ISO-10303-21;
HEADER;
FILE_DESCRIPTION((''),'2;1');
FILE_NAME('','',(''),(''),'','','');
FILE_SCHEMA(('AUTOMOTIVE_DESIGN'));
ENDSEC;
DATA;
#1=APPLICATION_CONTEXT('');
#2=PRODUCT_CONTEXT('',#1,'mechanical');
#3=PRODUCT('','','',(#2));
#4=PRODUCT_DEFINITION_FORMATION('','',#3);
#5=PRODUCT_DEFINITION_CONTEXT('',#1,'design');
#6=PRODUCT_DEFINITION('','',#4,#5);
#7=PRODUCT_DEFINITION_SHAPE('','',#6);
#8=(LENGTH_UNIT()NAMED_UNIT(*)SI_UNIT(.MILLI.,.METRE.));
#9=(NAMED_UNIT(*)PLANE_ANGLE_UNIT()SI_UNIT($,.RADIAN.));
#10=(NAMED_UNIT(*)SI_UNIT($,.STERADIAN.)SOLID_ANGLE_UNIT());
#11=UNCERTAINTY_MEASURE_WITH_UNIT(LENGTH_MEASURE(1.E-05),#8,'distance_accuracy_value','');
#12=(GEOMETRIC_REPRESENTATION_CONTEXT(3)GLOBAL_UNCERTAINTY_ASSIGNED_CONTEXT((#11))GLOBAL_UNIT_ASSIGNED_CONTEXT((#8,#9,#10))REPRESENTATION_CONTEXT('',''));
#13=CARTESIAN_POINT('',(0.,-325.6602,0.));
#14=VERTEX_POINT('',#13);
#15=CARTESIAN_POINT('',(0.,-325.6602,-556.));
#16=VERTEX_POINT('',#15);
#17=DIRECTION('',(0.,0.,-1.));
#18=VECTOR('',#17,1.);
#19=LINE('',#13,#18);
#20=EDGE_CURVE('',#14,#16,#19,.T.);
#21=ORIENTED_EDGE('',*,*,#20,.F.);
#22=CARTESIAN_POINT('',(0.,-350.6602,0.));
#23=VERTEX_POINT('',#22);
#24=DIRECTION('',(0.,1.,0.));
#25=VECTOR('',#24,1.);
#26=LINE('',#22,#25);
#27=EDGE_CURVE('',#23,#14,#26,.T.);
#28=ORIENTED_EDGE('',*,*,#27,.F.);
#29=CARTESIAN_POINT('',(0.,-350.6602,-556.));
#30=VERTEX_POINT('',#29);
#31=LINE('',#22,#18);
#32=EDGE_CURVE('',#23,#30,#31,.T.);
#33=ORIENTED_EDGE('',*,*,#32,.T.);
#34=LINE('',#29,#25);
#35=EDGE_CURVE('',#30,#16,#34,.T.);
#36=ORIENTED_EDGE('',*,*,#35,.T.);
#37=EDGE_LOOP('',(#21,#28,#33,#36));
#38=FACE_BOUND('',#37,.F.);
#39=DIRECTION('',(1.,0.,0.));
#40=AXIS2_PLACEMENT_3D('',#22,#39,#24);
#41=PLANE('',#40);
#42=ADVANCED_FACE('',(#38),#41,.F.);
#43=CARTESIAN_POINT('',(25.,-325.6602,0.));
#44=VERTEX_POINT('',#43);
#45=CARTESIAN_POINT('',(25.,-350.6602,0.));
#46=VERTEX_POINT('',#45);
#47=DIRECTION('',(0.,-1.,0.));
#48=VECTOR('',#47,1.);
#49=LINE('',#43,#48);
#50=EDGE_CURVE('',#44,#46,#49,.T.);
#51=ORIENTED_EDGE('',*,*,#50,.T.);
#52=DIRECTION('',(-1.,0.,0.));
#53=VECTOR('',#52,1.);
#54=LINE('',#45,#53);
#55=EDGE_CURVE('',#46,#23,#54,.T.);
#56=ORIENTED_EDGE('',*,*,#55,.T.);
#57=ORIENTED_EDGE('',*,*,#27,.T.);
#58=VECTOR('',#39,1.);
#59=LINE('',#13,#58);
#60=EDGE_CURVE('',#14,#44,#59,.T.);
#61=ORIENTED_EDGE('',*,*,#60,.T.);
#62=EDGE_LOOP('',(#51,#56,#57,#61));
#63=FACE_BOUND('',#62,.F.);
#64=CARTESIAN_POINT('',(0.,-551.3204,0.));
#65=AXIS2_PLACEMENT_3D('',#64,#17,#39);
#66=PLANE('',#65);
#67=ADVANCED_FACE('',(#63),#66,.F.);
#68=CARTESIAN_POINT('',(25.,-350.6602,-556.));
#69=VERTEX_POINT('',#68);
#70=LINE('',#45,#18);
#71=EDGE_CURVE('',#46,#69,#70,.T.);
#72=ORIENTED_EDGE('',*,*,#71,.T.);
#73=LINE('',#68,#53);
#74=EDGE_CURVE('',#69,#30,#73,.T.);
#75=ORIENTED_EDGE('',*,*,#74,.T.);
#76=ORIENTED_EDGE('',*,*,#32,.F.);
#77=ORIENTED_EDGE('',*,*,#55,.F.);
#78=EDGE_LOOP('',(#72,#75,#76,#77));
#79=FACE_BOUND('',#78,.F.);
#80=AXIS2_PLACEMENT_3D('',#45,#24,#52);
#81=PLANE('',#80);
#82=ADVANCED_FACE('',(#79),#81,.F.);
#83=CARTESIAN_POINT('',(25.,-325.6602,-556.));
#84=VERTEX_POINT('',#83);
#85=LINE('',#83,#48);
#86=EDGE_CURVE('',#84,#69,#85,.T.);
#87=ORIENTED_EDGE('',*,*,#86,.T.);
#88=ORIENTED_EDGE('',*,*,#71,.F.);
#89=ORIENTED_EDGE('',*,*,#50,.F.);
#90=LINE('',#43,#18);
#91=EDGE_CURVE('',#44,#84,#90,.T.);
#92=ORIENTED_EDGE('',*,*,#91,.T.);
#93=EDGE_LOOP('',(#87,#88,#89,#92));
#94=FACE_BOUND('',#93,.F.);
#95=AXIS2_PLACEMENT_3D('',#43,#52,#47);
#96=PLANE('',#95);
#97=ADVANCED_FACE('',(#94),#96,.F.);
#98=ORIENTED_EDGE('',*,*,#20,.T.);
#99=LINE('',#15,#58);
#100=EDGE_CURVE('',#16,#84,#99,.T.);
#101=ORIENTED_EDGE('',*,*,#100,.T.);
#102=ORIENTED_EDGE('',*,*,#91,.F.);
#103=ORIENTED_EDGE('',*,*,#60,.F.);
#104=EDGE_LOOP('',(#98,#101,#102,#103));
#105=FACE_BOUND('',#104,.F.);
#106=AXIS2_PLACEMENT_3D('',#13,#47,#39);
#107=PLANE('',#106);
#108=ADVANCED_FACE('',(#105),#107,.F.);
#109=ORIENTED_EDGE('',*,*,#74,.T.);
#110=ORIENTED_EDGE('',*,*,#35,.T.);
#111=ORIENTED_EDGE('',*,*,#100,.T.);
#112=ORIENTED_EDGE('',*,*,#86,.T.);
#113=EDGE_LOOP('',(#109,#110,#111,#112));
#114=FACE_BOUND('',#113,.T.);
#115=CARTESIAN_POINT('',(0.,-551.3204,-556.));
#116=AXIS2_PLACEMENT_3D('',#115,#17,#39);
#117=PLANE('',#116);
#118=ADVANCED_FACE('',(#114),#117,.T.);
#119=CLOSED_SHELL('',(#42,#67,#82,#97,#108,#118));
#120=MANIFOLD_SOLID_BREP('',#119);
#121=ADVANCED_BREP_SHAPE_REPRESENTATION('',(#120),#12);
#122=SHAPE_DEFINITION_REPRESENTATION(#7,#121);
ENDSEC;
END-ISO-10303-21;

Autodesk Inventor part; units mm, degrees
ref_plane "YZ Plane" through (0, 0, 0) normal (1, 0, 0) x (0, 1, 0)
ref_plane "XZ Plane" through (0, 0, 0) normal (0, 1, 0) x (-1, 0, 0)
ref_plane "Work Plane1" through (0, -551.3204, 0) normal (0, 0, -1) x (1, 0, 0)
sketch "Sketch1" plane through (0, -551.3204, 0) normal (0, 0, -1) x (1, 0, 0)
  line L0 (0, -225.6602) -> (25, -225.6602)
  line L1 (25, -225.6602) -> (25, -200.6602)
  line L2 (25, -200.6602) -> (0, -200.6602)
  line L3 (0, -200.6602) -> (0, -225.6602)
  point P0 (0, -551.3204)
  dimension "d0" = 25
  dimension "d1" = 25
extrude "Extrusion1" add sketch "Sketch1" along normal blind 556
properties part number "pinho 25x25"
